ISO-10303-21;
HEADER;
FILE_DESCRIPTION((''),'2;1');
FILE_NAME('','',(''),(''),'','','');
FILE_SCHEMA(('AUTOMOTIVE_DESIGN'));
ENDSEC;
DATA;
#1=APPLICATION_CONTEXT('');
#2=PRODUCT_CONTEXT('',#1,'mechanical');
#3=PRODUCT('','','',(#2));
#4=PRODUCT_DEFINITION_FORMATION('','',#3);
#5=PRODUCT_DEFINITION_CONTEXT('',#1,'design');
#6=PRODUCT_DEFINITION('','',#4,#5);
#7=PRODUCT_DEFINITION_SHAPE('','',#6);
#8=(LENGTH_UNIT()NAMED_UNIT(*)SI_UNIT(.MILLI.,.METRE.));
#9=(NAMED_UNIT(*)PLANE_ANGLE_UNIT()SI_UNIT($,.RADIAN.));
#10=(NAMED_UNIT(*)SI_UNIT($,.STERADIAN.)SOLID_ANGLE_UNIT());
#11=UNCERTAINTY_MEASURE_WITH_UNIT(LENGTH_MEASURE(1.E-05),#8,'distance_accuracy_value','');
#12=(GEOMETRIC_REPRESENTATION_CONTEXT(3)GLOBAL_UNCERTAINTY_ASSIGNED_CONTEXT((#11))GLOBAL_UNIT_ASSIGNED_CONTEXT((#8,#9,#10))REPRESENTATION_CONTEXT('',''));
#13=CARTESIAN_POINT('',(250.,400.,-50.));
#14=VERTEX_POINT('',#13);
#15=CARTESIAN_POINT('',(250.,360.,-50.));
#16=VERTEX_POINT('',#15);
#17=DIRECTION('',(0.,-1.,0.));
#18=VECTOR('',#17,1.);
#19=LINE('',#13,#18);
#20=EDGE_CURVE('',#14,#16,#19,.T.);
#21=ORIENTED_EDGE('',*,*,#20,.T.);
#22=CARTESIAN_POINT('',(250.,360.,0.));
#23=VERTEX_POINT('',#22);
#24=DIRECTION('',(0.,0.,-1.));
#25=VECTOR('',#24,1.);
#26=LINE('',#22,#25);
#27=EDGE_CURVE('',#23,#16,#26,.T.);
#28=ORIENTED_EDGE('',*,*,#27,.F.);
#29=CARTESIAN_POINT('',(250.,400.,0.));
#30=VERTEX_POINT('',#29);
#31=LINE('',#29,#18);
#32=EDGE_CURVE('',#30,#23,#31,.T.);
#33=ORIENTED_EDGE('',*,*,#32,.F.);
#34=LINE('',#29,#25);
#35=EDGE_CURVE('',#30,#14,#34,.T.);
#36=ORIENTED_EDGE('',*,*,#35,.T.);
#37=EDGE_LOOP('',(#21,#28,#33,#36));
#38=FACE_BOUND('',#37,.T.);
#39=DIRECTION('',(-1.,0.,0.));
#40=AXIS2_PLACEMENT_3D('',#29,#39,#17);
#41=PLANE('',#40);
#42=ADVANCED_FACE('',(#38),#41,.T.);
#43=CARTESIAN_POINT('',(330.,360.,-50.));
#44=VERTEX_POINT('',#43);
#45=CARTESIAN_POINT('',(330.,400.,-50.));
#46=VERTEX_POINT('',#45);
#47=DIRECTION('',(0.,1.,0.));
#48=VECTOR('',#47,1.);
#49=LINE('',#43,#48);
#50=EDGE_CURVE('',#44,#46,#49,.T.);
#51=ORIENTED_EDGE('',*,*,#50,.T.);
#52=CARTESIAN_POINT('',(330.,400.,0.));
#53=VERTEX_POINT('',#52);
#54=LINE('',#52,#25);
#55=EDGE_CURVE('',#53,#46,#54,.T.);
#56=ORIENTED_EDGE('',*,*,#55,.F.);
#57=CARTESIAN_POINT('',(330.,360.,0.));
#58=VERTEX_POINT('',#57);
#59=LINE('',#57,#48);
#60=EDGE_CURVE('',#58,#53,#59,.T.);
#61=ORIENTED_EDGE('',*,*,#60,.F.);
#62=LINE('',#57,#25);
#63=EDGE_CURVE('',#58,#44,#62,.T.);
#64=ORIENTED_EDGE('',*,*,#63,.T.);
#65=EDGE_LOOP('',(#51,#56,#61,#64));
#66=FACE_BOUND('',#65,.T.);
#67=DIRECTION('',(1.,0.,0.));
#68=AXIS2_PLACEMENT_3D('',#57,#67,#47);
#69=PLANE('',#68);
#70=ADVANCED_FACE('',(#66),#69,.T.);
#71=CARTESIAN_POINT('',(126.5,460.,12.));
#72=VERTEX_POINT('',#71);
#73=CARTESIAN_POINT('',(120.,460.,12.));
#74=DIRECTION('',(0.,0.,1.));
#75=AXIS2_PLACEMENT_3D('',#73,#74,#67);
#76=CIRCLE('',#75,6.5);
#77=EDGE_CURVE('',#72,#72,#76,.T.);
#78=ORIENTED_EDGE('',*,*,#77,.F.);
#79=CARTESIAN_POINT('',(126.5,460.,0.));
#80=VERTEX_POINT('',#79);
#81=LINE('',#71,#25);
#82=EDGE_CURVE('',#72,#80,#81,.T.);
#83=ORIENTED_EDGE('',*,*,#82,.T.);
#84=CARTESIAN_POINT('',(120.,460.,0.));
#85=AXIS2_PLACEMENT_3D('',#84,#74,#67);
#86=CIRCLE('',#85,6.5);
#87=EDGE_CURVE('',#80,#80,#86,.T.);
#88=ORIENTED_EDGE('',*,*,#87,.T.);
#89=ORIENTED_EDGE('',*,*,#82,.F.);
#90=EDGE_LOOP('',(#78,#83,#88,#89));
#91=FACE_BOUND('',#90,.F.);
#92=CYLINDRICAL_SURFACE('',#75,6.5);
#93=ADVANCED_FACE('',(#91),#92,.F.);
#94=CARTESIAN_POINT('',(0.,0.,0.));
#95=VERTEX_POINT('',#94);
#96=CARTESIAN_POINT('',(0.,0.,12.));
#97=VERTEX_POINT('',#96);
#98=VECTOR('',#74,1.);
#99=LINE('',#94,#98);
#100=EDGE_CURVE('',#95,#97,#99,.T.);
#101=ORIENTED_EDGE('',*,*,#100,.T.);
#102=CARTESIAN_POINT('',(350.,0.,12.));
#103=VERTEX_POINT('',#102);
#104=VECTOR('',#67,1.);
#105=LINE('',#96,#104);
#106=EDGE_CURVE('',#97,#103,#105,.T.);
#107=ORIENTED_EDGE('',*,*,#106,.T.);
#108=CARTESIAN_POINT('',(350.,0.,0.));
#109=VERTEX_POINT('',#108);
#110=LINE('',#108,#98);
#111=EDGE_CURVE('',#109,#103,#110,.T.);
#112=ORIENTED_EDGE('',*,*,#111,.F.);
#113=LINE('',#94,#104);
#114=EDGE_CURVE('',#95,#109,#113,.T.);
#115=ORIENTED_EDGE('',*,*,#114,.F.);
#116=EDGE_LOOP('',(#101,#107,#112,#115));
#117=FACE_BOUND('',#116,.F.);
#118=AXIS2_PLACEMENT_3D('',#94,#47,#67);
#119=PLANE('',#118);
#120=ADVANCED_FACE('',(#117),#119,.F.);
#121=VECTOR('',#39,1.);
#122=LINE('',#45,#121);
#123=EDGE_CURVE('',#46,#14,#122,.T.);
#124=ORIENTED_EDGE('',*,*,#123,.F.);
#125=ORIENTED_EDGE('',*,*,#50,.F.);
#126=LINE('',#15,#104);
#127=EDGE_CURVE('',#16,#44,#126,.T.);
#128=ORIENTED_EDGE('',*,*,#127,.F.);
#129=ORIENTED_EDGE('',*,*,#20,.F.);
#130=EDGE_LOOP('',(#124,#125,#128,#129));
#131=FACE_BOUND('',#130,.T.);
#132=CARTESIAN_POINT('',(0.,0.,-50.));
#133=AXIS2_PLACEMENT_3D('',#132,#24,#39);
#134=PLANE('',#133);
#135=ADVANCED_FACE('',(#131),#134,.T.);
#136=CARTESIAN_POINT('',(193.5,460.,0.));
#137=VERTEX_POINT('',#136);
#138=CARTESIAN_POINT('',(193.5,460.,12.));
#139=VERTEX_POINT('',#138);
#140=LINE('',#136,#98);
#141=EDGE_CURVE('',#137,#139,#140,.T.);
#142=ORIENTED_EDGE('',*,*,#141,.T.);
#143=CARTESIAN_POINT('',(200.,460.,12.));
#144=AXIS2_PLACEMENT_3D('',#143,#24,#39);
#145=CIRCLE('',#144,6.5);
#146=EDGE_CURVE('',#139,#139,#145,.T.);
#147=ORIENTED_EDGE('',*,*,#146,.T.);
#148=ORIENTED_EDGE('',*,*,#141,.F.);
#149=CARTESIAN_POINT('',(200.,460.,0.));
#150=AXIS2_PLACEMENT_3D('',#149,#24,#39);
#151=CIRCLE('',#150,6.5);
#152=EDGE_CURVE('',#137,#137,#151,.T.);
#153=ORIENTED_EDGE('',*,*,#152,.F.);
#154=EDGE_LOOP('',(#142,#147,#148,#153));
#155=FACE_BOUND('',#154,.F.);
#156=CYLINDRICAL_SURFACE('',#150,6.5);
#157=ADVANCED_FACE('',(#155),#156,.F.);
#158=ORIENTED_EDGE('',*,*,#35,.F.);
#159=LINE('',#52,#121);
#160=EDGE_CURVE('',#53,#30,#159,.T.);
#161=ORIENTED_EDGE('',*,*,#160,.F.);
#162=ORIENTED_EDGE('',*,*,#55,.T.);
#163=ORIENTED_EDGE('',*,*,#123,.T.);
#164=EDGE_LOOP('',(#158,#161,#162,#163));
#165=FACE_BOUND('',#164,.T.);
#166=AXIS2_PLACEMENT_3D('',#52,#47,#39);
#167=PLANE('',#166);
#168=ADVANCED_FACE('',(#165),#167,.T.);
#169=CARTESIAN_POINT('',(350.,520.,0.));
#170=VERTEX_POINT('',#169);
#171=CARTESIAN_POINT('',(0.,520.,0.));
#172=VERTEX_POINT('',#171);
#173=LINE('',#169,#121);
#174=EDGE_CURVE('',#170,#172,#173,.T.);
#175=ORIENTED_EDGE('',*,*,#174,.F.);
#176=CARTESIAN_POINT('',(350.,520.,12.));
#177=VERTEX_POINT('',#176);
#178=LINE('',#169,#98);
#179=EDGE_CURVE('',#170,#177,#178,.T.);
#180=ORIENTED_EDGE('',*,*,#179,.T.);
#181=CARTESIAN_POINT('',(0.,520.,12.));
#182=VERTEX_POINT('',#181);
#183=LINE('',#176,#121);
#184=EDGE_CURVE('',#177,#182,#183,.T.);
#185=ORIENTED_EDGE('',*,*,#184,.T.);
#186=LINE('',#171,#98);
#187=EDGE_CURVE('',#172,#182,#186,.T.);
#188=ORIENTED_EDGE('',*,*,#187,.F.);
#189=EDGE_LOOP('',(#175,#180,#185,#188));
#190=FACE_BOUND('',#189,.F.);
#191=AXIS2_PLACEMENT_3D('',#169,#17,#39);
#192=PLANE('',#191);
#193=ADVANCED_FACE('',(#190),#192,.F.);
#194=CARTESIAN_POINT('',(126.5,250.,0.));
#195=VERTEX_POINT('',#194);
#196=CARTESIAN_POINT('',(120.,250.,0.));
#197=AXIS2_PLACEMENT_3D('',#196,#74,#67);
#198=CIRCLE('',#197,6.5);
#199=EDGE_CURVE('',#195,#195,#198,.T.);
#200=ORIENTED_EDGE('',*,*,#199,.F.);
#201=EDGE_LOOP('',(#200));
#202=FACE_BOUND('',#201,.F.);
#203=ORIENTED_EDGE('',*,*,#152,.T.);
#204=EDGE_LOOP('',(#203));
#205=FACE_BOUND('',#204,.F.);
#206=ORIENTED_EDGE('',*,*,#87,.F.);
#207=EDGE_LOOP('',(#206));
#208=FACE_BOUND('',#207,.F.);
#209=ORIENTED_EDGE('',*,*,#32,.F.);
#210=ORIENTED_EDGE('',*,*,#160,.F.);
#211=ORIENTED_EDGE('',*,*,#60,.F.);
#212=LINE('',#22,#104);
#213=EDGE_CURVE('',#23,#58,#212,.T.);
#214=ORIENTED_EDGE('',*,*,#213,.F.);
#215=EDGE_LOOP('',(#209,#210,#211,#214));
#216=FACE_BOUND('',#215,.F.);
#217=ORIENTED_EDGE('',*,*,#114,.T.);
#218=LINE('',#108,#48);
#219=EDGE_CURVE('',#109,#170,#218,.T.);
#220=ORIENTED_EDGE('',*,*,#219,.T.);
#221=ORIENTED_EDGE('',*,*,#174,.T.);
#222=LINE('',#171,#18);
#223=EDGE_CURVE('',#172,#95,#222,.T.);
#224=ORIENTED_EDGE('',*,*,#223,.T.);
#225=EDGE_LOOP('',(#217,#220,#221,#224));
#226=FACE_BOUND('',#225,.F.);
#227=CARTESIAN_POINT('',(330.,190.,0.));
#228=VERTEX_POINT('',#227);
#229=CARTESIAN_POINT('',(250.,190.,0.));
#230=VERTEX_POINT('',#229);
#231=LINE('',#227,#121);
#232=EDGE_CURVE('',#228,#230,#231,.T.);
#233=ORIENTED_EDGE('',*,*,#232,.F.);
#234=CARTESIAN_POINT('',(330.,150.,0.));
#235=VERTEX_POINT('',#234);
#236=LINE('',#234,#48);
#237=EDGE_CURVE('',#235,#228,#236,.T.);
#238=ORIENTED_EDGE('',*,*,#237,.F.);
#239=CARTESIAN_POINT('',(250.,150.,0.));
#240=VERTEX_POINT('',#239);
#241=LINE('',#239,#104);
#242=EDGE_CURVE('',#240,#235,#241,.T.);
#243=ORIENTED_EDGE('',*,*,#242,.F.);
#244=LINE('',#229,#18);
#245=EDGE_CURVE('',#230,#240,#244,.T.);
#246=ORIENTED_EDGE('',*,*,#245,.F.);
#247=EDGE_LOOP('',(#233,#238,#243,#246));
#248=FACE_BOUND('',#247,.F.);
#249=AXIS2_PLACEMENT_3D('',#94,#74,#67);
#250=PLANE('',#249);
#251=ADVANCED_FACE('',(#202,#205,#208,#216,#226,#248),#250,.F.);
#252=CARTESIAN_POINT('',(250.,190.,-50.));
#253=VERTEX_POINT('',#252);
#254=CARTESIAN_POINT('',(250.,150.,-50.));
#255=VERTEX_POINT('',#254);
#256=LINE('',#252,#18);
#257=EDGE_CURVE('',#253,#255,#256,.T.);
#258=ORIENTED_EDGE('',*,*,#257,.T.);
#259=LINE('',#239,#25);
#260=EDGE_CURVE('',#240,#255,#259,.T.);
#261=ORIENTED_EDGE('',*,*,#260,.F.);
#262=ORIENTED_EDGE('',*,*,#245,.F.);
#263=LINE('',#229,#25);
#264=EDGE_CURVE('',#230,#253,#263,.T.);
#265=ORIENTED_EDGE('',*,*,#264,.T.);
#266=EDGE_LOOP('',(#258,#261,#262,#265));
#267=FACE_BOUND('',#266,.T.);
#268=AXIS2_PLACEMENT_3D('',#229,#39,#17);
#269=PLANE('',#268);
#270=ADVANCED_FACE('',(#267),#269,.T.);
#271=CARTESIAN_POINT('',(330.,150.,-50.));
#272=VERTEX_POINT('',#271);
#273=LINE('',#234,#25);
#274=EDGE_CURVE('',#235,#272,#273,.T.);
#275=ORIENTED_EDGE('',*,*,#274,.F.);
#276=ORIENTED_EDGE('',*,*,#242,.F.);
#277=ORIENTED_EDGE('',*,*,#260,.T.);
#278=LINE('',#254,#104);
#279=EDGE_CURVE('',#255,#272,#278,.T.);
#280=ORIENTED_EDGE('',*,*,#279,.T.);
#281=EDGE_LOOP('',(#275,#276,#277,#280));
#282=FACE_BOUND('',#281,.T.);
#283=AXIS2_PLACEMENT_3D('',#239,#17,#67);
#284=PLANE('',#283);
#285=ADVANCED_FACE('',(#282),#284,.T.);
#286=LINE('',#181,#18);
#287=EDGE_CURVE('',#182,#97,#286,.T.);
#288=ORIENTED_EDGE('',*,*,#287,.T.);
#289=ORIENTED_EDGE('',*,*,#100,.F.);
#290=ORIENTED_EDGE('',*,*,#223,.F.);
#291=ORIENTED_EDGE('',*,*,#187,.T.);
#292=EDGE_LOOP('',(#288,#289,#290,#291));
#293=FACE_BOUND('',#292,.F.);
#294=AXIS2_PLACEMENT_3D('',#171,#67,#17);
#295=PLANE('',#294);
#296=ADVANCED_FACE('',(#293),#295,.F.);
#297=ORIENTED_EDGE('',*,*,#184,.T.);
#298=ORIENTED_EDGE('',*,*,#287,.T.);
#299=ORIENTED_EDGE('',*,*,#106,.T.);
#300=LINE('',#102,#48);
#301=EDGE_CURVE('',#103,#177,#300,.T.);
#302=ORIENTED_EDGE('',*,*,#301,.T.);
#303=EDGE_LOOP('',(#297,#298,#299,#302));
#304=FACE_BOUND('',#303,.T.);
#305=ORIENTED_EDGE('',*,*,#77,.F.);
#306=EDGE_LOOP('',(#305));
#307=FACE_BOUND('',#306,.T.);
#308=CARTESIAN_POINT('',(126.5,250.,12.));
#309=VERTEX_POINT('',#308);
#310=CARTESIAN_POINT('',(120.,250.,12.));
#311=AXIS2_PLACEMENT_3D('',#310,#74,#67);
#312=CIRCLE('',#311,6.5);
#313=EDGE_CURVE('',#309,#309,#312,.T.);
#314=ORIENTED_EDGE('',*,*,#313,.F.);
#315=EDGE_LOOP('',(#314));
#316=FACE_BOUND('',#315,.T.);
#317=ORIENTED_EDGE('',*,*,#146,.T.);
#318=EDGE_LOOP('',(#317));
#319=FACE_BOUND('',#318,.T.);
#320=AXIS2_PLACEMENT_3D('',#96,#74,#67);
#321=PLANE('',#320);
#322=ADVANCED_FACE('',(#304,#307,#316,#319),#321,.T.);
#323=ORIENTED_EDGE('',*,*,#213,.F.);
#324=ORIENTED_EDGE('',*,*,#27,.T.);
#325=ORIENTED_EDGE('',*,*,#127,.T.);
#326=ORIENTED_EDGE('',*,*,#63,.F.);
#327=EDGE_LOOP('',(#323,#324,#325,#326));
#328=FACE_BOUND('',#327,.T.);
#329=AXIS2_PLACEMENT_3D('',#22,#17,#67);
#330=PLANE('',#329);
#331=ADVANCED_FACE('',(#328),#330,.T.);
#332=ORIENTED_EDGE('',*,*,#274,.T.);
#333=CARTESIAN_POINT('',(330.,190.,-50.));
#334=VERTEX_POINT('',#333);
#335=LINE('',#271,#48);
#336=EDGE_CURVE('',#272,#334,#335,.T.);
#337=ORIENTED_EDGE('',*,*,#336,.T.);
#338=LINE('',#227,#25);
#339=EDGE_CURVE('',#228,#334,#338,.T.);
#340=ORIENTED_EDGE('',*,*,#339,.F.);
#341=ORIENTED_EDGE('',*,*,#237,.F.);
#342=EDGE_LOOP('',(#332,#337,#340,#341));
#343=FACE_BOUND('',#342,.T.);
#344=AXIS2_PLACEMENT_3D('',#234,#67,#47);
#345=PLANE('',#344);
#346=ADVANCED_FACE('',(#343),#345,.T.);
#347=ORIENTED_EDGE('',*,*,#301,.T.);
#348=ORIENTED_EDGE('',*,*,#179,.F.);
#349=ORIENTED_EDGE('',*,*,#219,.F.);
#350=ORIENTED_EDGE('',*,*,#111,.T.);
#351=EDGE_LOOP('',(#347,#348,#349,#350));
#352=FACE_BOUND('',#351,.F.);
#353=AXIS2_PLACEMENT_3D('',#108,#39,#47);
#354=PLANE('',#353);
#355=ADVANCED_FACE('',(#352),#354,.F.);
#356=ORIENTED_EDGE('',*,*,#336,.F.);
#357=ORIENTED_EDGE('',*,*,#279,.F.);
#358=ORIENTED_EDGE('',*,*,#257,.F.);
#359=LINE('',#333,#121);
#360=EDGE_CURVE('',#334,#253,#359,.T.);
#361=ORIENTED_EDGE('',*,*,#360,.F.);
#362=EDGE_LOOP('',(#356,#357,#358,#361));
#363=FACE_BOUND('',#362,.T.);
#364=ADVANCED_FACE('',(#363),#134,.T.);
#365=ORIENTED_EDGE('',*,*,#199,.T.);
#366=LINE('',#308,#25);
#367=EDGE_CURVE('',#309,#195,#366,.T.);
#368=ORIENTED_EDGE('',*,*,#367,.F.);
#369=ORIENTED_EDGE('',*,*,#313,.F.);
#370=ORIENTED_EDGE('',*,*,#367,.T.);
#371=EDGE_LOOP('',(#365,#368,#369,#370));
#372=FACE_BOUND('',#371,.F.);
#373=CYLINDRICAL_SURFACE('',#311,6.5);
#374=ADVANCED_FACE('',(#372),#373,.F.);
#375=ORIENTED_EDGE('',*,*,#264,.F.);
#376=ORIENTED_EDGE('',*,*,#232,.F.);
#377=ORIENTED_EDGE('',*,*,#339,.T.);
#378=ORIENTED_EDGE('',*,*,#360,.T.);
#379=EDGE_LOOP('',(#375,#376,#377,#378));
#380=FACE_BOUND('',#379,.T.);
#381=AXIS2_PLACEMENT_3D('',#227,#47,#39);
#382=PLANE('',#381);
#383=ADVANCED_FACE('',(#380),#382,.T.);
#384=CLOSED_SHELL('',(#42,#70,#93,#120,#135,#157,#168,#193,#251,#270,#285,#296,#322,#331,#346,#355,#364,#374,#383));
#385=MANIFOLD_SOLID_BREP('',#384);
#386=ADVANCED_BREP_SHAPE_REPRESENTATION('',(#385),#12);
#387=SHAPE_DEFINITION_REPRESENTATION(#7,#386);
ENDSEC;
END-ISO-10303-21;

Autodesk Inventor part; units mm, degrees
ref_plane "YZ Plane" through (0, 0, 0) normal (1, 0, 0) x (0, 1, 0)
ref_plane "XZ Plane" through (0, 0, 0) normal (0, 1, 0) x (-1, 0, 0)
ref_plane "XY Plane" through (0, 0, 0) normal (0, 0, 1) x (1, 0, 0)
sketch "Sketch1" plane through (0, 0, 0) normal (0, 0, 1) x (1, 0, 0)
  line L0 (0, 0) -> (350, 0)
  line L1 (350, 0) -> (350, 520)
  line L2 (350, 520) -> (0, 520)
  line L3 (0, 520) -> (0, 0)
  dimension "d0" = 350
  dimension "d1" = 520
extrude "Extrusion1" add sketch "Sketch1" along normal blind 12
sketch "Sketch2" plane through (0, 0, 12) normal (0, 0, 1) x (1, 0, 0)
  line L0 (0, 120) -> (350, 120)
  line L1 (350, 120) -> (350, 370)
  line L2 (350, 0) -> (350, 520) projected
  line L3 (350, 370) -> (0, 370)
  line L4 (0, 520) -> (0, 0) projected
  line L5 (0, 370) -> (0, 520)
  line L6 (350, 520) -> (0, 520) projected
  line L7 (0, 520) -> (350, 520)
  line L8 (350, 520) -> (350, 370)
  circle A0 centre (120, 460) radius 6.5
  circle A1 centre (120, 250) radius 6.5
  dimension "d6" = 13
  dimension "d7" = 13
extrude "Extrusion2" cut sketch "Sketch2" against normal blind 12 contours A0 | A1
thread "Thread1" size "M14x2" class "6H" standard "ANSI Metric M Profile" full length
thread "Thread2" size "M14x2" class "6H" standard "ANSI Metric M Profile" full length
sketch "Sketch3" plane through (0, 0, 0) normal (0, 0, -1) x (-1, 0, 0)
  circle A0 centre (-200, 460) radius 6.5
  point P0 (0, 0)
  dimension "d14" = 13
extrude "Extrusion3" cut sketch "Sketch3" against normal blind 120
sketch "Sketch4" plane through (0, 0, 12) normal (0, 0, 1) x (1, 0, 0)
  point P0 (0, 0)
sketch "Sketch5" plane through (0, 0, 0) normal (0, 0, -1) x (-1, 0, 0)
  point P0 (0, 0)
sketch "Sketch6" plane through (0, 0, 0) normal (0, 0, -1) x (-1, 0, 0)
  line L0 (-330, 400) -> (-250, 400)
  line L1 (-250, 400) -> (-250, 360)
  line L2 (-250, 360) -> (-330, 360)
  line L3 (-330, 360) -> (-330, 400)
  line L4 (-330, 190) -> (-250, 190)
  line L5 (-250, 190) -> (-250, 150)
  line L6 (-250, 150) -> (-330, 150)
  line L7 (-330, 150) -> (-330, 190)
  point P0 (0, 0)
  dimension "d17" = 80
  dimension "d18" = 40
  dimension "d19" = 80
  dimension "d20" = 40
extrude "Extrusion4" add sketch "Sketch6" along normal blind 50
properties part number "back plate"
